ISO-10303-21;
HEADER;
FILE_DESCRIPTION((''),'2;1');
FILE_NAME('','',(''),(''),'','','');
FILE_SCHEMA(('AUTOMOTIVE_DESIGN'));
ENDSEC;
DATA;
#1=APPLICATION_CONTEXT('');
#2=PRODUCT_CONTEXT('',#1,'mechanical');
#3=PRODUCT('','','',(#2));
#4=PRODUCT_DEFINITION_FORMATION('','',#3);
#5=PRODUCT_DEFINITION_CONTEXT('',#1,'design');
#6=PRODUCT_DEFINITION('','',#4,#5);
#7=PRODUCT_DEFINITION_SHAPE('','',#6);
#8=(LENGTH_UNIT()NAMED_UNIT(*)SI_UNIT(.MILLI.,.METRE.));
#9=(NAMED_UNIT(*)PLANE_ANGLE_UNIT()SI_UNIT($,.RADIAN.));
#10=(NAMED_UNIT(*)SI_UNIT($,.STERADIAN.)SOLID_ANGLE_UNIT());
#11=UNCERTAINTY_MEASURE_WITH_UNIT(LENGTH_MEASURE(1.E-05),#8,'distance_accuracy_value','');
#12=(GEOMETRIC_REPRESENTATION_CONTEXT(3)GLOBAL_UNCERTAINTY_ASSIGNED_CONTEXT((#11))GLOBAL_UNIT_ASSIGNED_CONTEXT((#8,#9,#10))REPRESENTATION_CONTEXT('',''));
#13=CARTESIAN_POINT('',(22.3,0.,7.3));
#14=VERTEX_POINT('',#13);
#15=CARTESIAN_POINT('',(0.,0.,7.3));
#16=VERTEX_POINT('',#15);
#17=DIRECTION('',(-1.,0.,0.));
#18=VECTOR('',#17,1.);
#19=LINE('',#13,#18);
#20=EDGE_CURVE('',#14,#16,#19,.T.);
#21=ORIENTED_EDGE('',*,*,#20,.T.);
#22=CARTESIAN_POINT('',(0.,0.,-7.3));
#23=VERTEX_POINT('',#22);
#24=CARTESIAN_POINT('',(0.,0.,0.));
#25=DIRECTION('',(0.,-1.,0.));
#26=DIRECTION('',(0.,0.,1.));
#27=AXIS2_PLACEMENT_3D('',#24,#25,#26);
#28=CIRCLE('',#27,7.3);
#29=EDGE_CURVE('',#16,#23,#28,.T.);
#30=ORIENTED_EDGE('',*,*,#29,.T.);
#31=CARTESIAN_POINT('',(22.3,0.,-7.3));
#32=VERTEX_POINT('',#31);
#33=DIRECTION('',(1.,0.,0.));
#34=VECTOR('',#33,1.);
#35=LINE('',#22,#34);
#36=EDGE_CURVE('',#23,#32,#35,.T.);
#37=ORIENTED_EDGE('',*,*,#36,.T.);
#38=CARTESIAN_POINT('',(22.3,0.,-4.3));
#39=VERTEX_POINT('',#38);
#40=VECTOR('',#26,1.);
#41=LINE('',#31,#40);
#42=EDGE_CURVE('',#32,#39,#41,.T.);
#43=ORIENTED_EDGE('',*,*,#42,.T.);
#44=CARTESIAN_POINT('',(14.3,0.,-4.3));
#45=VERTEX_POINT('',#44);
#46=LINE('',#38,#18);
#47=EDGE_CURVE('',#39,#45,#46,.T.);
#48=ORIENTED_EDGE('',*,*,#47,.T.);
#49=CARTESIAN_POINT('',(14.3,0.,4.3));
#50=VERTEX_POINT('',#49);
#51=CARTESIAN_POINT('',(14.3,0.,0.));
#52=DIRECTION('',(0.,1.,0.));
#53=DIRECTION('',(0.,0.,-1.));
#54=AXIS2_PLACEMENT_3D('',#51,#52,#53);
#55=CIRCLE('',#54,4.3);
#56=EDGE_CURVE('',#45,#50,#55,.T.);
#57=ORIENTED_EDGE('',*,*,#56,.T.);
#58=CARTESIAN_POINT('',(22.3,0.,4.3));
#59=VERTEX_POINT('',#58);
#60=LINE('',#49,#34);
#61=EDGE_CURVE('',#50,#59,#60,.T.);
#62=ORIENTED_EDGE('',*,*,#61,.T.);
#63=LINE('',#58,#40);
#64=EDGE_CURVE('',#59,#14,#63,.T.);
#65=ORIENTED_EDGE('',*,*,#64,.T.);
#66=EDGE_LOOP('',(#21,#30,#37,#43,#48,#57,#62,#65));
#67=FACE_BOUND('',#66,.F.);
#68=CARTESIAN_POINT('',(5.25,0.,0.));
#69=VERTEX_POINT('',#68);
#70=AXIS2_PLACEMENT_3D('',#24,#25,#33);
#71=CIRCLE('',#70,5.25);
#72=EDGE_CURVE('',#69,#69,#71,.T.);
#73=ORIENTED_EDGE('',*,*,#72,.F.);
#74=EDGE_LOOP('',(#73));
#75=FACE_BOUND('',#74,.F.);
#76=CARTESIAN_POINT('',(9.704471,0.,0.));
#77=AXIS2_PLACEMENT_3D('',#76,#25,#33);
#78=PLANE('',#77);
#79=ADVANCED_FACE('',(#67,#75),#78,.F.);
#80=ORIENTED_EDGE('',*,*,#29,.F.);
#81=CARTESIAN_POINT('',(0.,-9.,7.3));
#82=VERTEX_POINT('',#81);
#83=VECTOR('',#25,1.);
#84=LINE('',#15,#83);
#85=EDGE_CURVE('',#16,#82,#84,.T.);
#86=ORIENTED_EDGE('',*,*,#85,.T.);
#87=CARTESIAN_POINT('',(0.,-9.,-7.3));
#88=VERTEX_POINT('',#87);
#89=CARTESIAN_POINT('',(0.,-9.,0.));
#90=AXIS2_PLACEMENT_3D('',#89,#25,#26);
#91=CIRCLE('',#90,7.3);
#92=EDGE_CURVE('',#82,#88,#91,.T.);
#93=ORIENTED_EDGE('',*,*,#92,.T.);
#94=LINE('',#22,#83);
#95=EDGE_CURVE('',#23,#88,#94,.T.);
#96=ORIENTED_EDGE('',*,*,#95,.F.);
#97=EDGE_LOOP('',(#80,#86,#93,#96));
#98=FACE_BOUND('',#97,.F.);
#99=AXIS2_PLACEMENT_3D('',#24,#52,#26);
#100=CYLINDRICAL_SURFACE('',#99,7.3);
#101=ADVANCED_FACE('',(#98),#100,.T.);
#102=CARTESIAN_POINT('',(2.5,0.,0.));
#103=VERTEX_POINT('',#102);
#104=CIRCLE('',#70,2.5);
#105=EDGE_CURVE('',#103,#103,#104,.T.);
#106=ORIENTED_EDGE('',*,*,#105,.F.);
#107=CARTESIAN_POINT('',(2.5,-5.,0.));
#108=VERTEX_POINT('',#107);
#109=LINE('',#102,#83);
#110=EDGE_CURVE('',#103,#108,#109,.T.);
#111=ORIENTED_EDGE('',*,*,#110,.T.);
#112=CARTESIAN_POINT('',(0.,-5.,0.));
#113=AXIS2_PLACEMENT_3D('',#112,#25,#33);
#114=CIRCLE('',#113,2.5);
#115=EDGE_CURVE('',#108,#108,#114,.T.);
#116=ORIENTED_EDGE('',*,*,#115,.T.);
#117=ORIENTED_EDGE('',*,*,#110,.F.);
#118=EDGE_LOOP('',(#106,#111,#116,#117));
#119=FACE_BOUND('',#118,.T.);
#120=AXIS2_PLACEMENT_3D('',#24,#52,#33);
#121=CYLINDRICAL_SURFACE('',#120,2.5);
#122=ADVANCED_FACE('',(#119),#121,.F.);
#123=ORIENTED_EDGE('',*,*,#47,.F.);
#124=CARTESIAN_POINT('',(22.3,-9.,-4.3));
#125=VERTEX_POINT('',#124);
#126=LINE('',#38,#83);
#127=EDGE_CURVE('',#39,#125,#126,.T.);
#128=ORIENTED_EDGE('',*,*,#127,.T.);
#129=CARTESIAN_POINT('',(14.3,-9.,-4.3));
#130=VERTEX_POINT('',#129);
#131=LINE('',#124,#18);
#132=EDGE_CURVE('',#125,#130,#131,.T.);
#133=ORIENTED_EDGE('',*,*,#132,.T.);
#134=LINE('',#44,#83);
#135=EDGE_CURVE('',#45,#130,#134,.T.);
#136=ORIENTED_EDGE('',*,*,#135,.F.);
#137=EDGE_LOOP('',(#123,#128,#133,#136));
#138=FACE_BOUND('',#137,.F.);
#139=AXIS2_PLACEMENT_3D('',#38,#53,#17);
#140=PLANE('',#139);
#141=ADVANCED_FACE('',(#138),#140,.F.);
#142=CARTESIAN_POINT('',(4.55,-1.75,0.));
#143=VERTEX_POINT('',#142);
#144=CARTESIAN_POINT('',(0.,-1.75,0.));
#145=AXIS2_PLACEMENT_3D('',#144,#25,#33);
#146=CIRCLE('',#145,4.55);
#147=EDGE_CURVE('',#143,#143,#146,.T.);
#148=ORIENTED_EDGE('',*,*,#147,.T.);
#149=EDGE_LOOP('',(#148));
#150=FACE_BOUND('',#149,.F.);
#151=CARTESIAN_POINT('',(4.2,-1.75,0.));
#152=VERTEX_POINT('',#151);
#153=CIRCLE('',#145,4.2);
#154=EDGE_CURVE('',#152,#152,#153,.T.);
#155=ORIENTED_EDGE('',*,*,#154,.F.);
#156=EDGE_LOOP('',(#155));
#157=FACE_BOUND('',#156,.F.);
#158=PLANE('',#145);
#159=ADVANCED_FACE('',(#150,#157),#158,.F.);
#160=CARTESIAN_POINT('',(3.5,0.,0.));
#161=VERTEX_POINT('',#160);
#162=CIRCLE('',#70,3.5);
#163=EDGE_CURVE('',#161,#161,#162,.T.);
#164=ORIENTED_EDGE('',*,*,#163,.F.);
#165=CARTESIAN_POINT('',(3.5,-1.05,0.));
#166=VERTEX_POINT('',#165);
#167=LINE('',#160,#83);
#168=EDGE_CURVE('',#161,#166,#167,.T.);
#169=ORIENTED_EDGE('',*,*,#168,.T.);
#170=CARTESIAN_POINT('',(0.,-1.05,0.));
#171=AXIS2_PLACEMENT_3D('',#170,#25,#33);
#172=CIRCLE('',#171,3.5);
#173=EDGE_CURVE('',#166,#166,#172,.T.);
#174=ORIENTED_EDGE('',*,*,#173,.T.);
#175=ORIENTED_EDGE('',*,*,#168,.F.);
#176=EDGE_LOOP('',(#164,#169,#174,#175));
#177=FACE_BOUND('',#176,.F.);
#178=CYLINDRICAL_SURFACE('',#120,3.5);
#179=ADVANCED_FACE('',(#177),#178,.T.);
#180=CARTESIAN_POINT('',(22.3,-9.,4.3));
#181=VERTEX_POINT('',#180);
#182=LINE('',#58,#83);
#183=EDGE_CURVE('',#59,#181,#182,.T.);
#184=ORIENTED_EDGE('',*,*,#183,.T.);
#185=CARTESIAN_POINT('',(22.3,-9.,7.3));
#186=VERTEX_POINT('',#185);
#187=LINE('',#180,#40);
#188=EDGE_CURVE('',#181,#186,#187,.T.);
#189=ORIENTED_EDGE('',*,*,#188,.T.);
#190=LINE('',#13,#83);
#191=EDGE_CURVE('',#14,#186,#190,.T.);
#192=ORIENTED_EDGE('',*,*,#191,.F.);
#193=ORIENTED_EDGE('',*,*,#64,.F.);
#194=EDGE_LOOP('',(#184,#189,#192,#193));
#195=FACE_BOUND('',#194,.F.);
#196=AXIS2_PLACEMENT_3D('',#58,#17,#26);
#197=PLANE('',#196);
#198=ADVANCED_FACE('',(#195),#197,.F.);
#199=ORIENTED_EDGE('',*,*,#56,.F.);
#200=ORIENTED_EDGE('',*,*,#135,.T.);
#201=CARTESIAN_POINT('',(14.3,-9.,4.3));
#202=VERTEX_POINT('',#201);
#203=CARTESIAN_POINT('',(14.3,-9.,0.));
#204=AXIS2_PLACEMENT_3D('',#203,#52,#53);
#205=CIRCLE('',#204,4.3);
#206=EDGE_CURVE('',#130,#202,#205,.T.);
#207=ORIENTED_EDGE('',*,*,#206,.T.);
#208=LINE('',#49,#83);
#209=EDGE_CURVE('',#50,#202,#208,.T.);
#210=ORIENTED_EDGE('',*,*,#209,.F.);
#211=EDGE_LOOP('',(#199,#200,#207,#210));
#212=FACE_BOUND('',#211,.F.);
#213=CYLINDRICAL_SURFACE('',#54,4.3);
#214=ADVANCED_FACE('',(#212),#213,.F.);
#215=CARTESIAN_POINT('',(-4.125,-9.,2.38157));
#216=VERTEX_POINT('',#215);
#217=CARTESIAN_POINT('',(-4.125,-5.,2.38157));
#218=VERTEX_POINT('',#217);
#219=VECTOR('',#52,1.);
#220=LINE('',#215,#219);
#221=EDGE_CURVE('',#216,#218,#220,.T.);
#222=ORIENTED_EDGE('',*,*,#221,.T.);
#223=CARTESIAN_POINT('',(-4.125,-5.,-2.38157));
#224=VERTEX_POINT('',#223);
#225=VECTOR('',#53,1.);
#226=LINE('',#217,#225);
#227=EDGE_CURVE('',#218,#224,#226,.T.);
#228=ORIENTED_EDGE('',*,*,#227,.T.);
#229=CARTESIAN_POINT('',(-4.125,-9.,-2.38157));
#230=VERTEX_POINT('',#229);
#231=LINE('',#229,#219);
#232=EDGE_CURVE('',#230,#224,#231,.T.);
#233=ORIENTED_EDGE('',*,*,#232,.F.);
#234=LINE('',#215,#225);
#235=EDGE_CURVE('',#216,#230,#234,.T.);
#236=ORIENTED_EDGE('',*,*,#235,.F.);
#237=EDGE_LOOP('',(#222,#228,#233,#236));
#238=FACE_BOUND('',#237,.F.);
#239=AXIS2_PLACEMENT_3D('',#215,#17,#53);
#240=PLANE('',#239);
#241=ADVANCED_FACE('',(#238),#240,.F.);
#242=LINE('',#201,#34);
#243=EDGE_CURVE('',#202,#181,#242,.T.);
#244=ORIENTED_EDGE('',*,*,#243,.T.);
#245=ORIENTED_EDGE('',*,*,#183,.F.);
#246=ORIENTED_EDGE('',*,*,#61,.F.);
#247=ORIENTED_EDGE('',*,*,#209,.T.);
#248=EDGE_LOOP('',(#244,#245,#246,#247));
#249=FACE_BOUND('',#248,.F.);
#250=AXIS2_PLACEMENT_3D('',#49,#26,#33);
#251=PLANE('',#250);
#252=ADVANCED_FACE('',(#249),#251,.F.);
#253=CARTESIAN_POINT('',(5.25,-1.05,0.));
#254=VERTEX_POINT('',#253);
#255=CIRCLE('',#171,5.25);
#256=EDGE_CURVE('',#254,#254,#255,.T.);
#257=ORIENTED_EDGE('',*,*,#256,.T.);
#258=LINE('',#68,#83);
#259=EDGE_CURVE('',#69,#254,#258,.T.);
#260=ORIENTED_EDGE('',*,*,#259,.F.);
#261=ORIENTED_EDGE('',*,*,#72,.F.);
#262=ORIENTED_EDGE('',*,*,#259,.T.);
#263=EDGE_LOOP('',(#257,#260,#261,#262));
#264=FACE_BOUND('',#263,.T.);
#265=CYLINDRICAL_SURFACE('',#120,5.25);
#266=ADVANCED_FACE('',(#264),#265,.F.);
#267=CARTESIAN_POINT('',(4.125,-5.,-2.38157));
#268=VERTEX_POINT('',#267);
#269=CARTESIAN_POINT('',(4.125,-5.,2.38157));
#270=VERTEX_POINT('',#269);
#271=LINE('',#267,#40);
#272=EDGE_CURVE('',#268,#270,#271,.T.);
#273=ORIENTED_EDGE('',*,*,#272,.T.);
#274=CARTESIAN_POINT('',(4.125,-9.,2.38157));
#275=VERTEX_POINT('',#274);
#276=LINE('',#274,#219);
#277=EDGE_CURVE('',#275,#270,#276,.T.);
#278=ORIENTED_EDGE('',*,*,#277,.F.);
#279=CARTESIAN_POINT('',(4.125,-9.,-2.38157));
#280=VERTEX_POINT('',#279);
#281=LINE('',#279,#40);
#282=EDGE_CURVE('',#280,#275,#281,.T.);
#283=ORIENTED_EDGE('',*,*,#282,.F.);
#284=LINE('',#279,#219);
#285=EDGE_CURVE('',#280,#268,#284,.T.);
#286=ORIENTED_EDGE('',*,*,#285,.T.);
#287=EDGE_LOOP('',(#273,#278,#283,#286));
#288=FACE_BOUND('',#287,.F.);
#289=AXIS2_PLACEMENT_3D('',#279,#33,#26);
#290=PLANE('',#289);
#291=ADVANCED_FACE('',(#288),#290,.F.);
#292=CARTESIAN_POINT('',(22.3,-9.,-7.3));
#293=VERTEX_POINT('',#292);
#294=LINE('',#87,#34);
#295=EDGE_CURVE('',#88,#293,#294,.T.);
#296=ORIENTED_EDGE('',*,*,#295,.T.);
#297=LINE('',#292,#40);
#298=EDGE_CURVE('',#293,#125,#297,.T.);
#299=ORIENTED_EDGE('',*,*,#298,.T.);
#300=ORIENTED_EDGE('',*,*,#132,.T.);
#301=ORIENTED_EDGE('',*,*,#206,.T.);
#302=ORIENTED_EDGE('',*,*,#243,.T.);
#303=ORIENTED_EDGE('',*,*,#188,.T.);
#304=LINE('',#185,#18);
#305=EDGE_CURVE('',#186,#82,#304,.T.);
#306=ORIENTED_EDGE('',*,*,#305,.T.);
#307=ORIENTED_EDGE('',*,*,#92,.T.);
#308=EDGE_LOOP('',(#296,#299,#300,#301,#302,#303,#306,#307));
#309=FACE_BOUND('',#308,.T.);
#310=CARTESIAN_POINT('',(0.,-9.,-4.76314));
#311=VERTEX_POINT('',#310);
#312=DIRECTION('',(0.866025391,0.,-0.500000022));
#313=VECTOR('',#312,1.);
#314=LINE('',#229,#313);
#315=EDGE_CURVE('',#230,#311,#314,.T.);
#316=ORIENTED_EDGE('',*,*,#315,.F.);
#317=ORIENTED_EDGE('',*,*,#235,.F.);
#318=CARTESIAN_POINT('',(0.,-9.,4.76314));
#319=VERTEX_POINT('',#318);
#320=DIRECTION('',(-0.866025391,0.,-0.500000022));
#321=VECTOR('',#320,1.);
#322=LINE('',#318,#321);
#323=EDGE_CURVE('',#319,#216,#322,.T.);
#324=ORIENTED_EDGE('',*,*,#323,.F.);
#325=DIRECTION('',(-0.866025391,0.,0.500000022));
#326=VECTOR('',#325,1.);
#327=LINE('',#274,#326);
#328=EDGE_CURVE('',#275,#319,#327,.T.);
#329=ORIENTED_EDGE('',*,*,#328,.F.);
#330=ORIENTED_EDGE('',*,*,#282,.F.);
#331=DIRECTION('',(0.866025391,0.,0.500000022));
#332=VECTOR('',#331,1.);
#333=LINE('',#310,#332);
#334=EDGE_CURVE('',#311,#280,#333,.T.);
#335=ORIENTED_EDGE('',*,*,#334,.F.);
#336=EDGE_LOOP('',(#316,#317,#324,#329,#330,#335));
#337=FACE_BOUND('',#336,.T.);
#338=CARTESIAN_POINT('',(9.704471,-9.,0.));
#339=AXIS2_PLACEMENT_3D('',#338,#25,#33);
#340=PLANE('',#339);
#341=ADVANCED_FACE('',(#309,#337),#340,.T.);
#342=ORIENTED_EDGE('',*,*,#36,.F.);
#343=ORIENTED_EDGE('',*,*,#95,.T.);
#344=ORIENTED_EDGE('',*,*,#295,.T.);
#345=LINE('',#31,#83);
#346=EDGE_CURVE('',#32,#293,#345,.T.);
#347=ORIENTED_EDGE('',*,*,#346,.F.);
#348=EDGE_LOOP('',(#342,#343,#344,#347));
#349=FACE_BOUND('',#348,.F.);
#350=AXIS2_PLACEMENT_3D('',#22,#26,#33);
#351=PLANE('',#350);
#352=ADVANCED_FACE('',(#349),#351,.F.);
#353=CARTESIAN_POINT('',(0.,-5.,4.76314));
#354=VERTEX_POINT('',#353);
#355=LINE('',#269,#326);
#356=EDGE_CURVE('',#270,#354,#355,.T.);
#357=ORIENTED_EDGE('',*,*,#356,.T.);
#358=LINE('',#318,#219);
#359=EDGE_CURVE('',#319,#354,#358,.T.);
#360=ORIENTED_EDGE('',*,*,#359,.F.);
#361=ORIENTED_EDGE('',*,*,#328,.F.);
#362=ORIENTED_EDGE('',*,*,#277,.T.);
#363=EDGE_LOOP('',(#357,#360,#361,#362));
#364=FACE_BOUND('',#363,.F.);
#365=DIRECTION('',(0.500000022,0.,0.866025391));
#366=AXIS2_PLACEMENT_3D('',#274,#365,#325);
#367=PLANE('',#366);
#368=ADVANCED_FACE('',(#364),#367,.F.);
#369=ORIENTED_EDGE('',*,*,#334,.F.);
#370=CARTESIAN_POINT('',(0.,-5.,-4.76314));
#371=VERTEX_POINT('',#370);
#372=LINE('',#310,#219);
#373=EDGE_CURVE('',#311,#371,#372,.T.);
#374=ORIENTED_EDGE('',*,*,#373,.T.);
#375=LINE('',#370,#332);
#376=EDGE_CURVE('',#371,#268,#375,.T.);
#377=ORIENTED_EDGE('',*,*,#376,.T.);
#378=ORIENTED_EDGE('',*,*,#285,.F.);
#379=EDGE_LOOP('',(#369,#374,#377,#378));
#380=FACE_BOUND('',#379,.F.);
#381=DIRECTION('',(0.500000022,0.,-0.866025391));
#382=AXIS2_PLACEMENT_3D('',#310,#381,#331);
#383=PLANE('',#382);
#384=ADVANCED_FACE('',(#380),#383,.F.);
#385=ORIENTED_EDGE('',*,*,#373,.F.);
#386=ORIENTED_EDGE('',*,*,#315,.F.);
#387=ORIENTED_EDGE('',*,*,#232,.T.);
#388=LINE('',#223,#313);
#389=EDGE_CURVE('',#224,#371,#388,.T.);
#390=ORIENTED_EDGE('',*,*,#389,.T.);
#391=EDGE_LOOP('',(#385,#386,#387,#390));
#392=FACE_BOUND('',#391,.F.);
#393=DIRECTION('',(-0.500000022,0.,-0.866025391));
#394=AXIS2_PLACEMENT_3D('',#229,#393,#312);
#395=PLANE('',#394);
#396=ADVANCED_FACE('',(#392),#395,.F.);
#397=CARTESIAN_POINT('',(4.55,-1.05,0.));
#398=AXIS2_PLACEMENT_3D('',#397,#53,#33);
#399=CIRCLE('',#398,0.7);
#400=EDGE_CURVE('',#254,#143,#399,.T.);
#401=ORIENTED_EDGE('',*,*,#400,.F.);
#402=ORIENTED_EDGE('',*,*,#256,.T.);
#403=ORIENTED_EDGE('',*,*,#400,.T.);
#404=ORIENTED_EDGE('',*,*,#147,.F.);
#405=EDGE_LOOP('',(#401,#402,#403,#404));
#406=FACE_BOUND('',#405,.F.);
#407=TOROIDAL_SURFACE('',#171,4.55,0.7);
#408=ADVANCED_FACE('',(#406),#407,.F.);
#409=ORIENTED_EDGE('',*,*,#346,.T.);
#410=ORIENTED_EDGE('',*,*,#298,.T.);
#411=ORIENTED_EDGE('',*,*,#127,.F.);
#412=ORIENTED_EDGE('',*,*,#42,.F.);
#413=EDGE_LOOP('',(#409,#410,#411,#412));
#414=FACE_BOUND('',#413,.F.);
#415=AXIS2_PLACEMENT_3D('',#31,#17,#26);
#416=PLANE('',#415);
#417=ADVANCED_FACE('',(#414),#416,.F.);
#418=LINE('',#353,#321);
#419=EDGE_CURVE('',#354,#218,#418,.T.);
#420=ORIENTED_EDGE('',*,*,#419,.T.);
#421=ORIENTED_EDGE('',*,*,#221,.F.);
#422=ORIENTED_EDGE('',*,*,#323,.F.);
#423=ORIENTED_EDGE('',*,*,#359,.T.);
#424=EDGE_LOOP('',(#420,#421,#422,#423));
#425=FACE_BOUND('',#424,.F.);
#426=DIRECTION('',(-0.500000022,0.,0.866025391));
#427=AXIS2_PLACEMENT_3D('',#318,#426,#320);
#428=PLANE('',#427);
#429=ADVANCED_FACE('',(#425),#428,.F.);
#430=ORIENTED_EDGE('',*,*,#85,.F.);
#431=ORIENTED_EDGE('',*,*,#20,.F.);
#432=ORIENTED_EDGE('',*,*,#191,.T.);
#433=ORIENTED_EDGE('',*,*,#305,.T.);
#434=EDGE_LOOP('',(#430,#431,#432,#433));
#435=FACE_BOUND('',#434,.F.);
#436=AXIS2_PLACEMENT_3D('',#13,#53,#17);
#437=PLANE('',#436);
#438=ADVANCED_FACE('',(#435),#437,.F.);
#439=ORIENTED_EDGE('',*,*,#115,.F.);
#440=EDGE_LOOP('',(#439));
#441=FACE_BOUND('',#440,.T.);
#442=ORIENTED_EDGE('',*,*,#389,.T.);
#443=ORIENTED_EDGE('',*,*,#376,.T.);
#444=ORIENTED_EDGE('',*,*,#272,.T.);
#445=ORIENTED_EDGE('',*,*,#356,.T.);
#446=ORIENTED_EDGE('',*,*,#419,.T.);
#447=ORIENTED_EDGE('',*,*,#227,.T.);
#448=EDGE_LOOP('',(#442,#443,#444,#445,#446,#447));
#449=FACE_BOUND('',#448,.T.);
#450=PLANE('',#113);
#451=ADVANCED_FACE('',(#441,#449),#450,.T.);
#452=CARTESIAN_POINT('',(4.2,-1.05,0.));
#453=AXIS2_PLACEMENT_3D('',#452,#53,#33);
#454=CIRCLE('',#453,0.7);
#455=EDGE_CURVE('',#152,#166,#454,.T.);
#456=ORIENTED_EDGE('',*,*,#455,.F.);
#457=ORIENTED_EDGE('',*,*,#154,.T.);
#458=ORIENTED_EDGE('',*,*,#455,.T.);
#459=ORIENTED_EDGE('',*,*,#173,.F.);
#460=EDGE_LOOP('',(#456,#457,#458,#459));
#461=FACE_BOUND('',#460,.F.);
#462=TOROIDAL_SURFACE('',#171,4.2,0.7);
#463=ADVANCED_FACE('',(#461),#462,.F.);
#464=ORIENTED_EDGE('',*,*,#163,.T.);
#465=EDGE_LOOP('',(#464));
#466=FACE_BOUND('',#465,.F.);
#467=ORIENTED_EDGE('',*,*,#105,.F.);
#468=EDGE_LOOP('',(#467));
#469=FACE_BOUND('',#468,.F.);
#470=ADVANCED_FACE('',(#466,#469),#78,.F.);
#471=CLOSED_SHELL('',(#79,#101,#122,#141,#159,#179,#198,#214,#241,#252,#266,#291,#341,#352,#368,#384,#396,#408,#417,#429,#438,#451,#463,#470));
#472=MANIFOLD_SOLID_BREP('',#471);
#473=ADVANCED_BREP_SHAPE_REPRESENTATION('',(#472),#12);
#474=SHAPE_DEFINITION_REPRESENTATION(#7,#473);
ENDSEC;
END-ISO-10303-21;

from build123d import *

# Parameters (mm, degrees)
F0_R     = 2.5
F1_DEPTH = 9
F2_R     = 2.5
F3_DEPTH = 4
F4_R     = 5.25
F4_R_2   = 3.5
F5_DEPTH = 1.75
F6_R     = 0.7


with BuildPart() as f1:
    # F0 (on Front) → F1 (new body)
    with BuildSketch(Plane.XZ):
        with BuildLine():
            Line((22.3, 4.3), (22.3, 7.3))
            Line((22.3, 7.3), (0, 7.3))
            ThreePointArc((0, 7.3), (-7.3, 0), (0, -7.3))
            Line((0, -7.3), (22.3, -7.3))
            Line((22.3, -7.3), (22.3, -4.3))
            Line((22.3, -4.3), (14.3, -4.3))
            ThreePointArc((14.3, -4.3), (10, 0), (14.3, 4.3))
            Line((14.3, 4.3), (22.3, 4.3))
        make_face()
        Circle(F0_R, mode=Mode.SUBTRACT)
    extrude(amount=F1_DEPTH)

    # F2 (on face) → F3 (cut)
    with BuildSketch(Plane.XZ.offset(9)):
        Polygon((4.125, -2.38157), (4.125, 2.38157), (0, 4.76314), (-4.125, 2.38157), (-4.125, -2.38157), (0, -4.76314), align=None)
        Circle(F2_R, mode=Mode.SUBTRACT)
    extrude(amount=-F3_DEPTH, mode=Mode.SUBTRACT)

    # F4 (on Front) → F5 (cut)
    with BuildSketch(Plane.XZ):
        Circle(F4_R)
        Circle(F4_R_2, mode=Mode.SUBTRACT)
    extrude(amount=F5_DEPTH, mode=Mode.SUBTRACT)

    # F6
    f6_edges = [f1.edges().sort_by_distance(p)[0] for p in [
        (-5.25, -1.75, 0),
        (-3.5, -1.75, 0),
    ]]
    fillet(f6_edges, radius=F6_R)


solid = f1.part
